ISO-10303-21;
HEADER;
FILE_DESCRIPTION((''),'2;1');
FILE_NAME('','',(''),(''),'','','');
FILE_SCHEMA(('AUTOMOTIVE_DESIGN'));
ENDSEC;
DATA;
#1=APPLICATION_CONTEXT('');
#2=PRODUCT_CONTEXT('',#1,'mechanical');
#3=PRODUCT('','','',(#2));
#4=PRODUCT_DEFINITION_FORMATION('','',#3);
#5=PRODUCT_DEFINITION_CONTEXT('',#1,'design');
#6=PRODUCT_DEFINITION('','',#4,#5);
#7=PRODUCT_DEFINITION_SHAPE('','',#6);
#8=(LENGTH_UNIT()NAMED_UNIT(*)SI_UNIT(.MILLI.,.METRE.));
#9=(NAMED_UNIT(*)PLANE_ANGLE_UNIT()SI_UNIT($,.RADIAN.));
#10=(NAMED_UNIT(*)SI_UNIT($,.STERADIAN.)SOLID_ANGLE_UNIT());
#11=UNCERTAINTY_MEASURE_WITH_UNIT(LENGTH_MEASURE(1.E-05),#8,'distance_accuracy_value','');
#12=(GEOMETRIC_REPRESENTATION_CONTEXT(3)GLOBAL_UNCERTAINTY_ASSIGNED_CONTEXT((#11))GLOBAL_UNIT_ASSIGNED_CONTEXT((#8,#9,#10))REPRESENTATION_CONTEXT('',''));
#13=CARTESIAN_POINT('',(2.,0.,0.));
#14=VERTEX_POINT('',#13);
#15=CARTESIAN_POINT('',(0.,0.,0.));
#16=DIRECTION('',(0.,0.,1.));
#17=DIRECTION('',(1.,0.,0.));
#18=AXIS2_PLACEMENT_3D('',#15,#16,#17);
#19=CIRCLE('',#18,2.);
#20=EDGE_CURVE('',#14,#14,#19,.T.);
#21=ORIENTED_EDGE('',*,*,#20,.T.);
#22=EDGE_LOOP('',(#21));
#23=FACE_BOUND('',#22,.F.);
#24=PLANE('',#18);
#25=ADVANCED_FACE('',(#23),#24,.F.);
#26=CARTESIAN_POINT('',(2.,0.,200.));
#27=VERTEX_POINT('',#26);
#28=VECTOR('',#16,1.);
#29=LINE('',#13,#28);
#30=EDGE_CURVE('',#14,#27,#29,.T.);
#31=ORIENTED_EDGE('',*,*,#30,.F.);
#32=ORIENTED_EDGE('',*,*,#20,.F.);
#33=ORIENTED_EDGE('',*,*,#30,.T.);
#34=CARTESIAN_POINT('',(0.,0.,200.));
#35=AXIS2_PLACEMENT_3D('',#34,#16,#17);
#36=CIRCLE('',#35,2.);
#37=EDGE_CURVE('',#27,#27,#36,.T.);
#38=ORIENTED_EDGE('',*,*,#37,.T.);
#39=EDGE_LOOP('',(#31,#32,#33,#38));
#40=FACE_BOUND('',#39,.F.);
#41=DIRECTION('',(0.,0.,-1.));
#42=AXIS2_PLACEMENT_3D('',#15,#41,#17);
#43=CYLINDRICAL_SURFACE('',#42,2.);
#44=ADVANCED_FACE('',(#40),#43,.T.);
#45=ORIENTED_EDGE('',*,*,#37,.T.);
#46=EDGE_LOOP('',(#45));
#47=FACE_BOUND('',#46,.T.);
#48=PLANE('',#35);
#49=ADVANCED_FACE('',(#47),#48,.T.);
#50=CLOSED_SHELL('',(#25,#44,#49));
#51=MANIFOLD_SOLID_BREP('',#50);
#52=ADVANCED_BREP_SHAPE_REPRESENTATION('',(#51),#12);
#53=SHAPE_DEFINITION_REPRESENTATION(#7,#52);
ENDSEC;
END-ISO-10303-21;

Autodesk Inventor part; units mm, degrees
ref_plane "YZ Plane" through (0, 0, 0) normal (1, 0, 0) x (0, 1, 0)
ref_plane "XZ Plane" through (0, 0, 0) normal (0, 1, 0) x (-1, 0, 0)
ref_plane "XY Plane" through (0, 0, 0) normal (0, 0, 1) x (1, 0, 0)
sketch "Sketch1" plane through (0, 0, 0) normal (0, 0, 1) x (1, 0, 0)
  circle A0 centre (0, 0) radius 2
  dimension "d0" = 4
extrude "Extrusion1" add sketch "Sketch1" along normal blind 200
properties part number "Axles"
